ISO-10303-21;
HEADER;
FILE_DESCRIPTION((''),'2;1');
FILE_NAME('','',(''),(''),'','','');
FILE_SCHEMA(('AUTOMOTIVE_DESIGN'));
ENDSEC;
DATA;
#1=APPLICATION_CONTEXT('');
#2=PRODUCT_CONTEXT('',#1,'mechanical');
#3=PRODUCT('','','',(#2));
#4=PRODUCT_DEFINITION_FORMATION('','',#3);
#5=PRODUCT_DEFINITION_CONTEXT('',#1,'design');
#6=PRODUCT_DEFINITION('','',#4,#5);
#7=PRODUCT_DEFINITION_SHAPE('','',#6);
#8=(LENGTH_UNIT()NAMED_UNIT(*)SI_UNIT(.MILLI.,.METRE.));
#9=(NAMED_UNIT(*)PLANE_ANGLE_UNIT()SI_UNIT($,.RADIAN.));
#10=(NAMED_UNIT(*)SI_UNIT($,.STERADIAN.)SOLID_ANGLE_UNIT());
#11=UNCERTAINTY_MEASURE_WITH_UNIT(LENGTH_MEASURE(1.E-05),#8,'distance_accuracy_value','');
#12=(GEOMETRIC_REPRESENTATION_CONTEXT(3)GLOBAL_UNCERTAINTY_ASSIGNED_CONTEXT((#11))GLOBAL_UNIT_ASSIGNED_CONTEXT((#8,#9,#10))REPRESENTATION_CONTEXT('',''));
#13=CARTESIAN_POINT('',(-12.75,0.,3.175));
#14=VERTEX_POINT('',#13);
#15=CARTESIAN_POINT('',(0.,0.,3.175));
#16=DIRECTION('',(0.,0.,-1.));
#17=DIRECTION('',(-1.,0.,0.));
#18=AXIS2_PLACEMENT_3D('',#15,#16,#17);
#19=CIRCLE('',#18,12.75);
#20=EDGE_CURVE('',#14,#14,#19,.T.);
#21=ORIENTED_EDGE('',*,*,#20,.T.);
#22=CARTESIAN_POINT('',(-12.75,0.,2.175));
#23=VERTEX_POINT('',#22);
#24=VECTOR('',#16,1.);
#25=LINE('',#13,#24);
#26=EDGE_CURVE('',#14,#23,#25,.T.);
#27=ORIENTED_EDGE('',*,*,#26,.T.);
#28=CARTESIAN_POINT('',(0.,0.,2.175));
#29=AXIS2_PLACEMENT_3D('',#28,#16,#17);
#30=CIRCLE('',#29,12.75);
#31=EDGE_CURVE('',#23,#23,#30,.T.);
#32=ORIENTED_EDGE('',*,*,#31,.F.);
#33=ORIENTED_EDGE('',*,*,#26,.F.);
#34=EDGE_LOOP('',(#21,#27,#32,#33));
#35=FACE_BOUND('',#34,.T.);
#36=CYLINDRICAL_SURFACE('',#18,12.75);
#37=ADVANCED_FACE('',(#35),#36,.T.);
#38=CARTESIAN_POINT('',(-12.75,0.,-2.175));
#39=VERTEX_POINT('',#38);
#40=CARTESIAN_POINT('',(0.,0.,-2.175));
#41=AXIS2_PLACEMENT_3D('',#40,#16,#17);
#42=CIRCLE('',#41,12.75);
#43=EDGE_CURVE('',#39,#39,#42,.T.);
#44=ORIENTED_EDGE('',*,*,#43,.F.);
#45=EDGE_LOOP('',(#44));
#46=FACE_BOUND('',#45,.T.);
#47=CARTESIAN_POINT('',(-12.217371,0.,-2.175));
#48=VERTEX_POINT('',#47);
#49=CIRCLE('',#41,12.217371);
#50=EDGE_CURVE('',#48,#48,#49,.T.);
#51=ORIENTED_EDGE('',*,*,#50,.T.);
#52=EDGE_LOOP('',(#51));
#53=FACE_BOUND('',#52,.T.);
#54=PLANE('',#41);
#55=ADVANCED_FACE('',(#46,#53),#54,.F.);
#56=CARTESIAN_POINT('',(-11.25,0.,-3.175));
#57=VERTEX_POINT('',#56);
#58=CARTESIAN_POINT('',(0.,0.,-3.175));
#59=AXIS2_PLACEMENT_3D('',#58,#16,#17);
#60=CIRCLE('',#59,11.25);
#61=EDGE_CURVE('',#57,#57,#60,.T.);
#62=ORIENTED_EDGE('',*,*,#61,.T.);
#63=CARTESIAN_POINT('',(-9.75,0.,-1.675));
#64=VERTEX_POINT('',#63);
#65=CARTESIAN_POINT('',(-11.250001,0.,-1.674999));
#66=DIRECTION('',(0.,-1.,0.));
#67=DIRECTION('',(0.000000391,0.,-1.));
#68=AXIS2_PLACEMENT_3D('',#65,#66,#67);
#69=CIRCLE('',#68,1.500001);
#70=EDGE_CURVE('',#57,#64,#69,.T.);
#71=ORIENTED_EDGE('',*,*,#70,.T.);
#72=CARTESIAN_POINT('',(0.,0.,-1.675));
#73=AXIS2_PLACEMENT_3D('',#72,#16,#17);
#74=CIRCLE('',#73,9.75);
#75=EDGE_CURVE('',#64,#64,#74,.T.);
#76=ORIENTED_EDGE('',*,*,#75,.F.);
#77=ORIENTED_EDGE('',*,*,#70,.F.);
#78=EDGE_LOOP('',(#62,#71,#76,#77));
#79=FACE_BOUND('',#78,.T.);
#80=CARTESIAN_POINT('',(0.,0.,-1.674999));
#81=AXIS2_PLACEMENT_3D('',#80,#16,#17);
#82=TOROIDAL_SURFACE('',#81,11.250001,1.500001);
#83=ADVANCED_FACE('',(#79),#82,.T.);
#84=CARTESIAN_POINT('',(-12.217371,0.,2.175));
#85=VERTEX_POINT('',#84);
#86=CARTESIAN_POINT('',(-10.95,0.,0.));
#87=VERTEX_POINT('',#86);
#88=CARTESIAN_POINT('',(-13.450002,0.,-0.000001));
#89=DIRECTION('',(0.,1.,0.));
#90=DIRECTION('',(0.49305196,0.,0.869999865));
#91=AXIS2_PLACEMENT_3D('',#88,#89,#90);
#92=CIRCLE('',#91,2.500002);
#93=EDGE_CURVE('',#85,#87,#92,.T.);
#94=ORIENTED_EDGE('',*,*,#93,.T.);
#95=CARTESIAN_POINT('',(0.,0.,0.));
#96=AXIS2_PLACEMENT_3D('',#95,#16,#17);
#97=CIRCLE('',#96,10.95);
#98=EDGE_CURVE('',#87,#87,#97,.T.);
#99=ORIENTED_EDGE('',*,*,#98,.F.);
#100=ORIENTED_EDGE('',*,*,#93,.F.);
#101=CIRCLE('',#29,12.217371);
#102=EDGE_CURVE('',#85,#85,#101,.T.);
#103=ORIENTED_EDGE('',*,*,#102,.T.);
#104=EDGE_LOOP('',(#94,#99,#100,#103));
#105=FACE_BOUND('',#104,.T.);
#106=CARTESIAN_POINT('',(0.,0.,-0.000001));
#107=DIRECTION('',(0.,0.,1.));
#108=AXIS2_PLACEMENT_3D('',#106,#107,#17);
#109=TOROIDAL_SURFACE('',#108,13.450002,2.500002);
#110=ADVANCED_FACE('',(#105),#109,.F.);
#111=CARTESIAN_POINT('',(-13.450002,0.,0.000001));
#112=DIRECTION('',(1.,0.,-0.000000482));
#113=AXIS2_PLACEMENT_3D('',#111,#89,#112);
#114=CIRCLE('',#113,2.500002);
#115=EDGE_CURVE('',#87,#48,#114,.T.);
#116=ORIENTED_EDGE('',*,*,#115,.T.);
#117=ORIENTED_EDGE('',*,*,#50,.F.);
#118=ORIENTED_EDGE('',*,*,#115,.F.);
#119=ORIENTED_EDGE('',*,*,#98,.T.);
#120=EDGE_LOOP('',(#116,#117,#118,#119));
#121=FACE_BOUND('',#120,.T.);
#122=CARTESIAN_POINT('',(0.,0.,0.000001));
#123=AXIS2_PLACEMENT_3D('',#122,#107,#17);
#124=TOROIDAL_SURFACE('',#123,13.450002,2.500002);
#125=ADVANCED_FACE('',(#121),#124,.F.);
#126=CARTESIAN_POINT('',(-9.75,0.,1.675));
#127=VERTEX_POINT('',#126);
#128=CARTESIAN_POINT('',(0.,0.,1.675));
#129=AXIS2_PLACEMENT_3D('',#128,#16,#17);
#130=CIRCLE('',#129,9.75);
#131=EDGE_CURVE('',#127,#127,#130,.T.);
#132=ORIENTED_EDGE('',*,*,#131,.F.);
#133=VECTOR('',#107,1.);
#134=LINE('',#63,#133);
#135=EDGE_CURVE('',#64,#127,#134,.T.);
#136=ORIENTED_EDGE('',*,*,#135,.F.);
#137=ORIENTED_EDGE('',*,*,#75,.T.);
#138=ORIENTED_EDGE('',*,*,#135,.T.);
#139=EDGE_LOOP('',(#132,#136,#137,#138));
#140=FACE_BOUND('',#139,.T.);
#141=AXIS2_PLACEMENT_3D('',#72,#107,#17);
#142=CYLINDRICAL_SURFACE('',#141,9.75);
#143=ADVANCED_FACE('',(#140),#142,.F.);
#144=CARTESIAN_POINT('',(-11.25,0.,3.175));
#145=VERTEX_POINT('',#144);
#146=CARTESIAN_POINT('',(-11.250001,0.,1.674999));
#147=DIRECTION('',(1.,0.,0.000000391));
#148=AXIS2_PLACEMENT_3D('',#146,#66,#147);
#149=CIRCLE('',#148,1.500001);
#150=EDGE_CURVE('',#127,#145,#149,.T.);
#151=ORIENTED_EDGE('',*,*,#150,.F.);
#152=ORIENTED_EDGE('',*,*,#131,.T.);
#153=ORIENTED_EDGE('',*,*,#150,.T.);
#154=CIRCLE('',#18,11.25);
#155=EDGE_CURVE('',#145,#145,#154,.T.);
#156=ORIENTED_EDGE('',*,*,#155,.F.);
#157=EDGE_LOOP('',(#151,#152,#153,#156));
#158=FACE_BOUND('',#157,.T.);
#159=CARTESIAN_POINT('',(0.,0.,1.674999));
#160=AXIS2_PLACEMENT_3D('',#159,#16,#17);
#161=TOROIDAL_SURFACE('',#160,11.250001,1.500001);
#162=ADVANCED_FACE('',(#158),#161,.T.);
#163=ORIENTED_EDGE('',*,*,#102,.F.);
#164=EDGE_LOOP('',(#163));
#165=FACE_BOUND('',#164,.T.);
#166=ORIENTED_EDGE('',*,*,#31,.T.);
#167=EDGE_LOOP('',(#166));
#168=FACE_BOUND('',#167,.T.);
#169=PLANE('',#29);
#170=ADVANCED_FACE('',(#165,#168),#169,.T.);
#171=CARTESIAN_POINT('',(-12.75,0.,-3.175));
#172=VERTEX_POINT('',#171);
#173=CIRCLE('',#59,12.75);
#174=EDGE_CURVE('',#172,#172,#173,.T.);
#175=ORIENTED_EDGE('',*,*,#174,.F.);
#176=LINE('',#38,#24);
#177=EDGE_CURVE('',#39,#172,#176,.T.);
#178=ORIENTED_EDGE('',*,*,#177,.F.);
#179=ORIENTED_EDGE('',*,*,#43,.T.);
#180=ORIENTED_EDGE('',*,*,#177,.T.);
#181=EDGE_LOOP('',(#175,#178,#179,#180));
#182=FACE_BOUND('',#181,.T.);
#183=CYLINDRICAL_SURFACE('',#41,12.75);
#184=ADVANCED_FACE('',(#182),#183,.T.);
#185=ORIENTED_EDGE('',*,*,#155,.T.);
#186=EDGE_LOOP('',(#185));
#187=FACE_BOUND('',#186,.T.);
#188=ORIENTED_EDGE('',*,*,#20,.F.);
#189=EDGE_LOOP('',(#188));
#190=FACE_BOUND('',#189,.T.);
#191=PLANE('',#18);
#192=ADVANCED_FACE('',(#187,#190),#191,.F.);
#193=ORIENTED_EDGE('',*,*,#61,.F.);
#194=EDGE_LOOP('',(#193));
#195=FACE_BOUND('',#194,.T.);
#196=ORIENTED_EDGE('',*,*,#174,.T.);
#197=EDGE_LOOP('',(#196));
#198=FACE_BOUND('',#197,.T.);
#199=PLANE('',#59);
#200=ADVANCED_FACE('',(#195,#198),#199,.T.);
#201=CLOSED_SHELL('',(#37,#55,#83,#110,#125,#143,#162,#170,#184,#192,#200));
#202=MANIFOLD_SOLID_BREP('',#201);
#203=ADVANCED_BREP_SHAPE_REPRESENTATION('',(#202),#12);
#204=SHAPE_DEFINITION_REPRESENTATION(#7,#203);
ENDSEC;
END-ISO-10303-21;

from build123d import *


with BuildPart() as f1:
    # F0 (on Front) → F1 (revolve)
    with BuildSketch(Plane.XZ):
        with BuildLine():
            Line((-9.75, -1.675), (-9.75, 1.675))
            ThreePointArc((-9.75, 1.675), (-10.18934, 2.73566), (-11.25, 3.175))
            Line((-11.25, 3.175), (-12.75, 3.175))
            Line((-12.75, 3.175), (-12.75, 2.175))
            Line((-12.75, 2.175), (-12.217371, 2.175))
            ThreePointArc((-12.217371, 2.175), (-11.289957, 1.258655), (-10.95, 0))
            ThreePointArc((-10.95, 0), (-11.289957, -1.258655), (-12.217371, -2.175))
            Line((-12.217371, -2.175), (-12.75, -2.175))
            Line((-12.75, -2.175), (-12.75, -3.175))
            Line((-12.75, -3.175), (-11.25, -3.175))
            ThreePointArc((-11.25, -3.175), (-10.18934, -2.73566), (-9.75, -1.675))
        make_face()
    revolve(axis=Axis((0, 0, 0.475), (0, 0, -1)))


solid = f1.part
